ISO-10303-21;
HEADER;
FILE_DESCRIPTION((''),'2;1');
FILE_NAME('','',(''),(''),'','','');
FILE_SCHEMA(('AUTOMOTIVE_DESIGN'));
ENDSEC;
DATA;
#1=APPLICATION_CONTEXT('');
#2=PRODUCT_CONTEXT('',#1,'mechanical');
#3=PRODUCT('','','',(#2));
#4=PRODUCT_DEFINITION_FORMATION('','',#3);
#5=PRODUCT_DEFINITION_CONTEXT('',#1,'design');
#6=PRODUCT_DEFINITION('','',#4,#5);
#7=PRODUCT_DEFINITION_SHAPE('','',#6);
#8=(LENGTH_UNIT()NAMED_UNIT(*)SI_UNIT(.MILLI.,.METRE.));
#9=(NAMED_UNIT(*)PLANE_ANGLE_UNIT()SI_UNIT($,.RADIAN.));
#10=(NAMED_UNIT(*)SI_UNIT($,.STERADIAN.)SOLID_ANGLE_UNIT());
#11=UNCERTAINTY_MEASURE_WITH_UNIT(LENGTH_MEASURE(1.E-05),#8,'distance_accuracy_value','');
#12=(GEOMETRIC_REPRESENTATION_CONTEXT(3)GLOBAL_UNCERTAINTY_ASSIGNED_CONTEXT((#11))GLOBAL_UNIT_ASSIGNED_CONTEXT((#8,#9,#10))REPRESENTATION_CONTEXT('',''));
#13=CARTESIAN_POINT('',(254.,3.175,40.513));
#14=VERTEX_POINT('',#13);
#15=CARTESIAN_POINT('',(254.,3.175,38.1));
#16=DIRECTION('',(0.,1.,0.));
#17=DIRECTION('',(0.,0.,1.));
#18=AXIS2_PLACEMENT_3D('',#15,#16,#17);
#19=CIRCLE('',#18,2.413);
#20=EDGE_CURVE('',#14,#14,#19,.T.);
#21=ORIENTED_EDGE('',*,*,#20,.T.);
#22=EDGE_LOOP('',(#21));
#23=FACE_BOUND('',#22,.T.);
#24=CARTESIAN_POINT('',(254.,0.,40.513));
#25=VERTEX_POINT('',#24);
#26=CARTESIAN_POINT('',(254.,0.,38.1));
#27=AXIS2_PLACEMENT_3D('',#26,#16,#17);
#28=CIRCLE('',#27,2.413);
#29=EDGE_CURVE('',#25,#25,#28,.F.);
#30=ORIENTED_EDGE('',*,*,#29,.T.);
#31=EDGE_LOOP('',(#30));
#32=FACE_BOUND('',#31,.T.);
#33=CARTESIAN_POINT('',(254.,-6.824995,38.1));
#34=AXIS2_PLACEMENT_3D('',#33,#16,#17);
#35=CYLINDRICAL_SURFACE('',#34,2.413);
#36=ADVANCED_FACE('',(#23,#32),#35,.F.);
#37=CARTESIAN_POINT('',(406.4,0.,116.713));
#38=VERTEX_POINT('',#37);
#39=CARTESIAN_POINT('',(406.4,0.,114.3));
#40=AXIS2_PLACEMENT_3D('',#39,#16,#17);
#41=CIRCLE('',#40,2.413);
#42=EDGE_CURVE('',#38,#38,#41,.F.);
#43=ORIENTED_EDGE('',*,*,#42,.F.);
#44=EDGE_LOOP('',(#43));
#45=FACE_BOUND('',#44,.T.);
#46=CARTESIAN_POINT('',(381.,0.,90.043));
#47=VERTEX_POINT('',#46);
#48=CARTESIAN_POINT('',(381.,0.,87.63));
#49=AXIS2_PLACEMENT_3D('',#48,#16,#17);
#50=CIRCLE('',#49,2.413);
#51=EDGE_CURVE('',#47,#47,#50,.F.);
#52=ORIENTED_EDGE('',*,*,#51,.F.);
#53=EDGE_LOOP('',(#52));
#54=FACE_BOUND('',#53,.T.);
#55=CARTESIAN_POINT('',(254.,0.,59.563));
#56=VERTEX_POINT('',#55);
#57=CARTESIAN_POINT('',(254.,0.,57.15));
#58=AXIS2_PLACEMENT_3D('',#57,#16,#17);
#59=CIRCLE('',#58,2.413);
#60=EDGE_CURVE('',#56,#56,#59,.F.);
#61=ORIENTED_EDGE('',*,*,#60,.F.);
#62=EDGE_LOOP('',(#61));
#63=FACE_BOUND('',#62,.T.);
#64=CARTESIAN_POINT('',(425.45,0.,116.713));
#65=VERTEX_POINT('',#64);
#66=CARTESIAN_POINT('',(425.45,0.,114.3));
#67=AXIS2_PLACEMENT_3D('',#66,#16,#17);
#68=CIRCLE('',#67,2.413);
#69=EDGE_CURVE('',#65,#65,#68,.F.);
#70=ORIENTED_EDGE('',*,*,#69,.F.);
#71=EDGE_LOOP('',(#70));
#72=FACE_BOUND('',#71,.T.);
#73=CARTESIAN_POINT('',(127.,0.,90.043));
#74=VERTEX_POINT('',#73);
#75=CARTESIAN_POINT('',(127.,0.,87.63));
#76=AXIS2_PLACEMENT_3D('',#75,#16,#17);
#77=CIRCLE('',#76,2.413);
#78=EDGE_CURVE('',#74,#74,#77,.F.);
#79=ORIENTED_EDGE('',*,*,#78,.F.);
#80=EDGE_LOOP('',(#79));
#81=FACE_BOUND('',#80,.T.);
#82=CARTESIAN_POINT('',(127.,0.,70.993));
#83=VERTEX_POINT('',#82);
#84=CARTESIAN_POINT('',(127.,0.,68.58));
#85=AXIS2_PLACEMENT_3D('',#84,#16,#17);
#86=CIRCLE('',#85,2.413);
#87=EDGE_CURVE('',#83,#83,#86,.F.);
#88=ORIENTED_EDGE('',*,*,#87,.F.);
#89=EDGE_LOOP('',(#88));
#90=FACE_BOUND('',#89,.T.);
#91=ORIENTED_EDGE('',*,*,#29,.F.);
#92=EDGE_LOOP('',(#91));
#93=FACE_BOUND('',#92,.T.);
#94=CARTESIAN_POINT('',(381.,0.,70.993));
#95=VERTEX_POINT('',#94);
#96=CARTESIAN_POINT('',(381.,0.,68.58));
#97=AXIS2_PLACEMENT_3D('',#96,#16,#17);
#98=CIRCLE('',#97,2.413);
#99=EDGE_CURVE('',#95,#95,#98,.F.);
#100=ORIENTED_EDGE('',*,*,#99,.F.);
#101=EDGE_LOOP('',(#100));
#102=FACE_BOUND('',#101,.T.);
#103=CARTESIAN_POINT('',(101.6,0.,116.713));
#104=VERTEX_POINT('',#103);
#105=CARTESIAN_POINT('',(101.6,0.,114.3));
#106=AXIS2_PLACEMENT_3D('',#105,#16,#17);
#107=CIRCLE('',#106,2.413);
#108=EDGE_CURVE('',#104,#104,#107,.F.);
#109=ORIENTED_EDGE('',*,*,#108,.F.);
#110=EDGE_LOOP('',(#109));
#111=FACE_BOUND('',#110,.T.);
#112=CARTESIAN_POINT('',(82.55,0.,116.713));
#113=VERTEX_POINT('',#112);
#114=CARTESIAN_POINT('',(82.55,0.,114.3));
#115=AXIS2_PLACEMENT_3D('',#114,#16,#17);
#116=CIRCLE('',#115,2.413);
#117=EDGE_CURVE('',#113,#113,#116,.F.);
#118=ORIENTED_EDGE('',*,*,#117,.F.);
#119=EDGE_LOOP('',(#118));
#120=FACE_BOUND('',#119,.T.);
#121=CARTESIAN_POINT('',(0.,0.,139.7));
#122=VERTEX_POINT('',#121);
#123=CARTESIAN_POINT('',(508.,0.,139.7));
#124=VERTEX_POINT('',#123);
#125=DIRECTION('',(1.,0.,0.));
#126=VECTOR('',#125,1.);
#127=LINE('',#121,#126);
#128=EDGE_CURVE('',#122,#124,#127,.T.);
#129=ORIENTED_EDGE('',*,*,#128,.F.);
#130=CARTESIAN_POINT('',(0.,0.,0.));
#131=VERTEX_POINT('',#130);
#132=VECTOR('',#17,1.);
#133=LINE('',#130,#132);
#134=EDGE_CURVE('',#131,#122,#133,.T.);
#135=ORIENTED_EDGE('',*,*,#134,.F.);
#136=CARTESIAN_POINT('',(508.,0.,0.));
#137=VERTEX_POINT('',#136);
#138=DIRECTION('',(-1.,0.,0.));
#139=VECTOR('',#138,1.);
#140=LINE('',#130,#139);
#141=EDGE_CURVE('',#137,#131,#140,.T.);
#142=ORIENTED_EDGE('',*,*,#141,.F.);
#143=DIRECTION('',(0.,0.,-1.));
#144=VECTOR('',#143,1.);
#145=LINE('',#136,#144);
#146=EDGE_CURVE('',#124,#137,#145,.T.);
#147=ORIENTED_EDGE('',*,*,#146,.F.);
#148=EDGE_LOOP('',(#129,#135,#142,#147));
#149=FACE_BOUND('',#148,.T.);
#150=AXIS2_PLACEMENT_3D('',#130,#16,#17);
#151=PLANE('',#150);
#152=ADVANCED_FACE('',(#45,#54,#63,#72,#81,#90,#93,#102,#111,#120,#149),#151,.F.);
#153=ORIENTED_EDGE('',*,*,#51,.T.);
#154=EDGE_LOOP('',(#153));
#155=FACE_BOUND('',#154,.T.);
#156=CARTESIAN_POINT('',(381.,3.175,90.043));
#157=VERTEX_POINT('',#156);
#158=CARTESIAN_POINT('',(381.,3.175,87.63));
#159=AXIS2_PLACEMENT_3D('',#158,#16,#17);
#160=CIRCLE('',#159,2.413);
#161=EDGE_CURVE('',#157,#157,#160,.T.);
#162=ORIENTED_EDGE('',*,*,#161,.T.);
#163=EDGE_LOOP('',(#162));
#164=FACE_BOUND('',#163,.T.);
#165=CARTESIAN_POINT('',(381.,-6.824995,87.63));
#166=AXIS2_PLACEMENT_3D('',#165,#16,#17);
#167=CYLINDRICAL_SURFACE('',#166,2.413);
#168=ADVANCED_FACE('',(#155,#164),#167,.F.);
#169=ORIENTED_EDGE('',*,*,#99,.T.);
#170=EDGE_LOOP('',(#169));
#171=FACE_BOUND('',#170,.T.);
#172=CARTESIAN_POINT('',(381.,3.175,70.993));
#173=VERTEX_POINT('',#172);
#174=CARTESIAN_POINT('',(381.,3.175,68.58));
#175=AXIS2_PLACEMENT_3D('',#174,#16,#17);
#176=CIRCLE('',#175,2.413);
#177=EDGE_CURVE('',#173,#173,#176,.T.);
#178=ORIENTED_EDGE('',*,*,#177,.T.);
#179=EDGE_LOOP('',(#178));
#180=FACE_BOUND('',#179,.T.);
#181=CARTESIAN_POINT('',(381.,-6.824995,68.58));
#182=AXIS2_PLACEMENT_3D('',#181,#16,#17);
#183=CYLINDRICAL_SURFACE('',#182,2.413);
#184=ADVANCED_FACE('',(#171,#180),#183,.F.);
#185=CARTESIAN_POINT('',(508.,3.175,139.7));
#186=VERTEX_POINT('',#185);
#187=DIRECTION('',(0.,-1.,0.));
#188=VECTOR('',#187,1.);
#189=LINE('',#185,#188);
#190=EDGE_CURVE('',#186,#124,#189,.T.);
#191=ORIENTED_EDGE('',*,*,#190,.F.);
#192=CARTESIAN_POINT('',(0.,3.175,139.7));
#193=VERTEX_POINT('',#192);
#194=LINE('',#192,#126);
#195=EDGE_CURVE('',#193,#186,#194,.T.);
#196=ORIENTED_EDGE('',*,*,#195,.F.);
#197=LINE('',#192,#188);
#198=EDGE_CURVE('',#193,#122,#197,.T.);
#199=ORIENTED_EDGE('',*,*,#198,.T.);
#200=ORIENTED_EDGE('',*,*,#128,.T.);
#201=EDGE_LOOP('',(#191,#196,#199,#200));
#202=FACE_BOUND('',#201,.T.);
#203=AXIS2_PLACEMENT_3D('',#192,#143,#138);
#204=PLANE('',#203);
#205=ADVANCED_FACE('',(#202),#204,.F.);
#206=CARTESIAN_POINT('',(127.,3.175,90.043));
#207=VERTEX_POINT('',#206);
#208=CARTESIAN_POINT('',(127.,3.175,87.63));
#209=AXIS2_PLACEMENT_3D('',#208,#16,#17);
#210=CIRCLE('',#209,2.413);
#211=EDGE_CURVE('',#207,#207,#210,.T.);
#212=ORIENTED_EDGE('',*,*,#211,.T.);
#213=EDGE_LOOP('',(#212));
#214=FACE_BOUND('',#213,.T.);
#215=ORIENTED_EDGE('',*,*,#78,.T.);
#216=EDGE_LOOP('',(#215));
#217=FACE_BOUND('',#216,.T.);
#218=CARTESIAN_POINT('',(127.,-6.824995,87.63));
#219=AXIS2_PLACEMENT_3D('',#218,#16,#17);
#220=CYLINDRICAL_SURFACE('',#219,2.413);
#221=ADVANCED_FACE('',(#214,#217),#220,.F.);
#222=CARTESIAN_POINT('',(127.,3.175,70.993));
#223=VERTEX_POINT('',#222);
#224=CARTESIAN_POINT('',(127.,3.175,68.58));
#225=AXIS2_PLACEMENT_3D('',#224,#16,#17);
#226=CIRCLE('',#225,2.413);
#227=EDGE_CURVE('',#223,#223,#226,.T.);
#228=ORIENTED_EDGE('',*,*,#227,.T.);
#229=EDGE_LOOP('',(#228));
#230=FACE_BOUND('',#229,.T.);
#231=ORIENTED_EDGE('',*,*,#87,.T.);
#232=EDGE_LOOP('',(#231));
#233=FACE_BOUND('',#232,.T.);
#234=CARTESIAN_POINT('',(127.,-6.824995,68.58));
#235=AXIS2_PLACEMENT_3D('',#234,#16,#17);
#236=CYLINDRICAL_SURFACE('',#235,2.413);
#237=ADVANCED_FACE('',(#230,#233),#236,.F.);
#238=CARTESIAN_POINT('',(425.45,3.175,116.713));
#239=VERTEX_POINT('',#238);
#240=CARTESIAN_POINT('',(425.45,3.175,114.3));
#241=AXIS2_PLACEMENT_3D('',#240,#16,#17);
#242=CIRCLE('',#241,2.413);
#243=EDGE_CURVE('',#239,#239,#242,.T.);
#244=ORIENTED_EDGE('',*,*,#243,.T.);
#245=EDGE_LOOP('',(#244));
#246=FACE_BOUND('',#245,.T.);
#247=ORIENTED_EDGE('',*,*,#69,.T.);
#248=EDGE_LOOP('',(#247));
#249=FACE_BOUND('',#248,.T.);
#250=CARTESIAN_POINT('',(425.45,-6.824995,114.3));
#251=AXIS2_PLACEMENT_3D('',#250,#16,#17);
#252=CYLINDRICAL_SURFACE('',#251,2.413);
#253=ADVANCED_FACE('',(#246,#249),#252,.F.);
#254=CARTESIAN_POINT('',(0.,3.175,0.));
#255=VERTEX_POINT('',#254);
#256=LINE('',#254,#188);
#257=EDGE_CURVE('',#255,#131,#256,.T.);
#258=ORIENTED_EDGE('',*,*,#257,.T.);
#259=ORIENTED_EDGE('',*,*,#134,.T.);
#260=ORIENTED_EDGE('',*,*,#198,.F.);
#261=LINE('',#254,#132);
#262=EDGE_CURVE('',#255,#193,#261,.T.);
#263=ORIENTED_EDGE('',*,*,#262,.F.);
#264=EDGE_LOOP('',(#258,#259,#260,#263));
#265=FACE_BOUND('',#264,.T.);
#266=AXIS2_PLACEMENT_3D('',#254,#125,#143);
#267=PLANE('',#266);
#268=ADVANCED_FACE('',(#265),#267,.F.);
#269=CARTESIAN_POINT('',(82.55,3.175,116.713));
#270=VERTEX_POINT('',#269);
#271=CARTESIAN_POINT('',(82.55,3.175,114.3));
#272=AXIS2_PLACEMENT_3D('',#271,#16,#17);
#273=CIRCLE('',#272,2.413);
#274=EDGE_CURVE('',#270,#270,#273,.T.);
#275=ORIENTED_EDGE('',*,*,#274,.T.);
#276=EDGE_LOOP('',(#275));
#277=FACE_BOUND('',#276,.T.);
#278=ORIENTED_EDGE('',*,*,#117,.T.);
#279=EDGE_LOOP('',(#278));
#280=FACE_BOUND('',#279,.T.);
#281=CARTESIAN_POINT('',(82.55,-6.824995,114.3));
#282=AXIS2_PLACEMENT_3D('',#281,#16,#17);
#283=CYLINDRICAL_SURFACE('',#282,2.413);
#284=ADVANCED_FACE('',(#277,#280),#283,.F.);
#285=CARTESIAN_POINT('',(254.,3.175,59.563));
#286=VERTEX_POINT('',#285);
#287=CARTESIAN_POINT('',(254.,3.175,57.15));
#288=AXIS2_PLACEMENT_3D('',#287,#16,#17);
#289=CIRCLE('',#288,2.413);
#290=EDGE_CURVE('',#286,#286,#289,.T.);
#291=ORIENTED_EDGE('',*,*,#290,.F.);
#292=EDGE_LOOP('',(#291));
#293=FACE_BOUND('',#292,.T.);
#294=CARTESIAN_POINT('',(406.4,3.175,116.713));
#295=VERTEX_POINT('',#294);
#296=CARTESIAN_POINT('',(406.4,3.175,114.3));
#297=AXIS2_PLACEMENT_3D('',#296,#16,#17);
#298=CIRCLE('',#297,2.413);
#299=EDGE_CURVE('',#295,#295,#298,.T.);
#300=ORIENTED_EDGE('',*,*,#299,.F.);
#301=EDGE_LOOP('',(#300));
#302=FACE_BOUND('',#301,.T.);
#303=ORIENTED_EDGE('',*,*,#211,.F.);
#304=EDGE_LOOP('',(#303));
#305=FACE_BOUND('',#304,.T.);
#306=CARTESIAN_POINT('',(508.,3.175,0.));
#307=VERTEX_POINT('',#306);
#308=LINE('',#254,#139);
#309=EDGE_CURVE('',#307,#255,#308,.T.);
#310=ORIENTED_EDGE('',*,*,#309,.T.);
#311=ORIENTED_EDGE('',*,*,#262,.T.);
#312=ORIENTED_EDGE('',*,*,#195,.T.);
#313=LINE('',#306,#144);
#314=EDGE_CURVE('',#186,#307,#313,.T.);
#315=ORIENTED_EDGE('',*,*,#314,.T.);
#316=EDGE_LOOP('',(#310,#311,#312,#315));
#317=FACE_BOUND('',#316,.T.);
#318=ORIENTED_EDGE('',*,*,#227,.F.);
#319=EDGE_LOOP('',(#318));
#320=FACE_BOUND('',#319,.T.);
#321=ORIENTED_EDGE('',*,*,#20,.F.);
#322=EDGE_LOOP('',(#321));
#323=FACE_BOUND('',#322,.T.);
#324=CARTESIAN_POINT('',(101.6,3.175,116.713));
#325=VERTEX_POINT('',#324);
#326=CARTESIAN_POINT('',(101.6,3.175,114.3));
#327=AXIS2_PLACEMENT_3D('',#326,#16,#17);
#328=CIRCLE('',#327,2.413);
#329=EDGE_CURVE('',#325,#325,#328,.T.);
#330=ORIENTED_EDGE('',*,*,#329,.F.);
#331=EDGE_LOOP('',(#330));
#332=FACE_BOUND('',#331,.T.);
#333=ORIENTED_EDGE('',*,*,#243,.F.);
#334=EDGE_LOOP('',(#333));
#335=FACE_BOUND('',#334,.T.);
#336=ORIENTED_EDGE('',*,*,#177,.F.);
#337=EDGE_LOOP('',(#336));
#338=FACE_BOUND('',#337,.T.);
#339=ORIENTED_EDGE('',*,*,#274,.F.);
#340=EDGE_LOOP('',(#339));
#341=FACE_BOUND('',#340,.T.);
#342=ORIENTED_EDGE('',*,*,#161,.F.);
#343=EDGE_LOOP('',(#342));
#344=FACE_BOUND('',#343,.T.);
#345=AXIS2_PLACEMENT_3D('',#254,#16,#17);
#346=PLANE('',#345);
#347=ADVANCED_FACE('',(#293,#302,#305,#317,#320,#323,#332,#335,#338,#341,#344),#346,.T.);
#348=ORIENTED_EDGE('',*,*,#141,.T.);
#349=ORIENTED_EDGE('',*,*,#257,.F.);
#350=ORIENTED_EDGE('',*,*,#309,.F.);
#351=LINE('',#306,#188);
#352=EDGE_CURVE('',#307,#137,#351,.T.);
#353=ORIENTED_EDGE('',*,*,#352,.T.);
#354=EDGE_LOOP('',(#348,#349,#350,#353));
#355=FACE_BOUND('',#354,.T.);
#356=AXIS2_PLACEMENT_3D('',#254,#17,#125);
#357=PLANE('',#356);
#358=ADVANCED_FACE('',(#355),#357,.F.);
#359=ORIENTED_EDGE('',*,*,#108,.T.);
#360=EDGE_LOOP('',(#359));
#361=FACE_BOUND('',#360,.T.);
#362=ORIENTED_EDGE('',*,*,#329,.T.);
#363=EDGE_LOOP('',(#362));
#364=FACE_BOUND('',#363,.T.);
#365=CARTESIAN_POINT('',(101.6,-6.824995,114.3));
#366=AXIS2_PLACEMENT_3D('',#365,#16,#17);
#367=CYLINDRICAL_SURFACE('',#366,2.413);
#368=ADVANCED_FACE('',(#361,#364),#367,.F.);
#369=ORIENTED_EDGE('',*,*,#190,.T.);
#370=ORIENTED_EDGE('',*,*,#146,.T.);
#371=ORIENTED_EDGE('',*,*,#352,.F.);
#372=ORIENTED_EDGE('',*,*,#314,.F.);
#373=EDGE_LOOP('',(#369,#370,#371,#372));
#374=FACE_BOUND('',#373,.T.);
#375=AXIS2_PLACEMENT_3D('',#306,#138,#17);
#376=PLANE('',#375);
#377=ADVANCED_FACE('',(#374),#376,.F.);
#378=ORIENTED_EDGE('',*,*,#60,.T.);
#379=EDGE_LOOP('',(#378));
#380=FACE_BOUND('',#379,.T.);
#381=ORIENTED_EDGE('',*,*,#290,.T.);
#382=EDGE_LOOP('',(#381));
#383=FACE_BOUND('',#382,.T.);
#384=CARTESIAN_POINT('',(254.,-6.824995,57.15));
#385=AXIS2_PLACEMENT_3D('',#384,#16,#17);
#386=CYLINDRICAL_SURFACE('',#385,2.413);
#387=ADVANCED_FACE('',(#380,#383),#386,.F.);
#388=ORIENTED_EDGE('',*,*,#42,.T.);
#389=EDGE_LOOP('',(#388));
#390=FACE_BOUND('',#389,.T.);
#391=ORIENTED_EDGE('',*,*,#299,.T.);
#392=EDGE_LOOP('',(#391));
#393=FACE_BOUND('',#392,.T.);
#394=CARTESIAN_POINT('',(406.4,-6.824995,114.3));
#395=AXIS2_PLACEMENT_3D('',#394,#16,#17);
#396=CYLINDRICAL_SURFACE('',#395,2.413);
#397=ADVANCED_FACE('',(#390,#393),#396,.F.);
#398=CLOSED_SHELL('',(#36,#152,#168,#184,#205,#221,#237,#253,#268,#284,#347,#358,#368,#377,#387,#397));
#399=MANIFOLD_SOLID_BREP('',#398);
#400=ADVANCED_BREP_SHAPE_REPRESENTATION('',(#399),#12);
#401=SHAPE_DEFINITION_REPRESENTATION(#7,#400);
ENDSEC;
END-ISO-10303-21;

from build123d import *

# Parameters (mm, degrees)
SKETCH1_W           = 508
SKETCH1_H           = 139.7
BOSS_EXTRUDE1_DEPTH = 3.175
SKETCH2_R           = 2.413
CUT_EXTRUDE1_DEPTH  = 3.175


with BuildPart() as part:
    # Sketch1 → Boss-Extrude1 (new body)
    with BuildSketch(Plane(origin=(0, 0, 0), x_dir=(1, 0, 0), z_dir=(0, 1, 0))):
        with Locations((254, -69.85)):
            Rectangle(SKETCH1_W, SKETCH1_H)
    extrude(amount=BOSS_EXTRUDE1_DEPTH)

    # Sketch2 → Cut-Extrude1 (cut)
    with BuildSketch(Plane(origin=(0, 3.175, 0), x_dir=(1, 0, 0), z_dir=(0, 1, 0))):
        with Locations((82.55, -114.3)):
            Circle(SKETCH2_R)
        with Locations((101.6, -114.3)):
            Circle(SKETCH2_R)
        with Locations((127, -87.63)):
            Circle(SKETCH2_R)
        with Locations((127, -68.58)):
            Circle(SKETCH2_R)
        with Locations((254, -38.1)):
            Circle(SKETCH2_R)
        with Locations((254, -57.15)):
            Circle(SKETCH2_R)
        with Locations((425.45, -114.3)):
            Circle(SKETCH2_R)
        with Locations((406.4, -114.3)):
            Circle(SKETCH2_R)
        with Locations((381, -87.63)):
            Circle(SKETCH2_R)
        with Locations((381, -68.58)):
            Circle(SKETCH2_R)
    extrude(amount=-CUT_EXTRUDE1_DEPTH, mode=Mode.SUBTRACT)


solid = part.part
